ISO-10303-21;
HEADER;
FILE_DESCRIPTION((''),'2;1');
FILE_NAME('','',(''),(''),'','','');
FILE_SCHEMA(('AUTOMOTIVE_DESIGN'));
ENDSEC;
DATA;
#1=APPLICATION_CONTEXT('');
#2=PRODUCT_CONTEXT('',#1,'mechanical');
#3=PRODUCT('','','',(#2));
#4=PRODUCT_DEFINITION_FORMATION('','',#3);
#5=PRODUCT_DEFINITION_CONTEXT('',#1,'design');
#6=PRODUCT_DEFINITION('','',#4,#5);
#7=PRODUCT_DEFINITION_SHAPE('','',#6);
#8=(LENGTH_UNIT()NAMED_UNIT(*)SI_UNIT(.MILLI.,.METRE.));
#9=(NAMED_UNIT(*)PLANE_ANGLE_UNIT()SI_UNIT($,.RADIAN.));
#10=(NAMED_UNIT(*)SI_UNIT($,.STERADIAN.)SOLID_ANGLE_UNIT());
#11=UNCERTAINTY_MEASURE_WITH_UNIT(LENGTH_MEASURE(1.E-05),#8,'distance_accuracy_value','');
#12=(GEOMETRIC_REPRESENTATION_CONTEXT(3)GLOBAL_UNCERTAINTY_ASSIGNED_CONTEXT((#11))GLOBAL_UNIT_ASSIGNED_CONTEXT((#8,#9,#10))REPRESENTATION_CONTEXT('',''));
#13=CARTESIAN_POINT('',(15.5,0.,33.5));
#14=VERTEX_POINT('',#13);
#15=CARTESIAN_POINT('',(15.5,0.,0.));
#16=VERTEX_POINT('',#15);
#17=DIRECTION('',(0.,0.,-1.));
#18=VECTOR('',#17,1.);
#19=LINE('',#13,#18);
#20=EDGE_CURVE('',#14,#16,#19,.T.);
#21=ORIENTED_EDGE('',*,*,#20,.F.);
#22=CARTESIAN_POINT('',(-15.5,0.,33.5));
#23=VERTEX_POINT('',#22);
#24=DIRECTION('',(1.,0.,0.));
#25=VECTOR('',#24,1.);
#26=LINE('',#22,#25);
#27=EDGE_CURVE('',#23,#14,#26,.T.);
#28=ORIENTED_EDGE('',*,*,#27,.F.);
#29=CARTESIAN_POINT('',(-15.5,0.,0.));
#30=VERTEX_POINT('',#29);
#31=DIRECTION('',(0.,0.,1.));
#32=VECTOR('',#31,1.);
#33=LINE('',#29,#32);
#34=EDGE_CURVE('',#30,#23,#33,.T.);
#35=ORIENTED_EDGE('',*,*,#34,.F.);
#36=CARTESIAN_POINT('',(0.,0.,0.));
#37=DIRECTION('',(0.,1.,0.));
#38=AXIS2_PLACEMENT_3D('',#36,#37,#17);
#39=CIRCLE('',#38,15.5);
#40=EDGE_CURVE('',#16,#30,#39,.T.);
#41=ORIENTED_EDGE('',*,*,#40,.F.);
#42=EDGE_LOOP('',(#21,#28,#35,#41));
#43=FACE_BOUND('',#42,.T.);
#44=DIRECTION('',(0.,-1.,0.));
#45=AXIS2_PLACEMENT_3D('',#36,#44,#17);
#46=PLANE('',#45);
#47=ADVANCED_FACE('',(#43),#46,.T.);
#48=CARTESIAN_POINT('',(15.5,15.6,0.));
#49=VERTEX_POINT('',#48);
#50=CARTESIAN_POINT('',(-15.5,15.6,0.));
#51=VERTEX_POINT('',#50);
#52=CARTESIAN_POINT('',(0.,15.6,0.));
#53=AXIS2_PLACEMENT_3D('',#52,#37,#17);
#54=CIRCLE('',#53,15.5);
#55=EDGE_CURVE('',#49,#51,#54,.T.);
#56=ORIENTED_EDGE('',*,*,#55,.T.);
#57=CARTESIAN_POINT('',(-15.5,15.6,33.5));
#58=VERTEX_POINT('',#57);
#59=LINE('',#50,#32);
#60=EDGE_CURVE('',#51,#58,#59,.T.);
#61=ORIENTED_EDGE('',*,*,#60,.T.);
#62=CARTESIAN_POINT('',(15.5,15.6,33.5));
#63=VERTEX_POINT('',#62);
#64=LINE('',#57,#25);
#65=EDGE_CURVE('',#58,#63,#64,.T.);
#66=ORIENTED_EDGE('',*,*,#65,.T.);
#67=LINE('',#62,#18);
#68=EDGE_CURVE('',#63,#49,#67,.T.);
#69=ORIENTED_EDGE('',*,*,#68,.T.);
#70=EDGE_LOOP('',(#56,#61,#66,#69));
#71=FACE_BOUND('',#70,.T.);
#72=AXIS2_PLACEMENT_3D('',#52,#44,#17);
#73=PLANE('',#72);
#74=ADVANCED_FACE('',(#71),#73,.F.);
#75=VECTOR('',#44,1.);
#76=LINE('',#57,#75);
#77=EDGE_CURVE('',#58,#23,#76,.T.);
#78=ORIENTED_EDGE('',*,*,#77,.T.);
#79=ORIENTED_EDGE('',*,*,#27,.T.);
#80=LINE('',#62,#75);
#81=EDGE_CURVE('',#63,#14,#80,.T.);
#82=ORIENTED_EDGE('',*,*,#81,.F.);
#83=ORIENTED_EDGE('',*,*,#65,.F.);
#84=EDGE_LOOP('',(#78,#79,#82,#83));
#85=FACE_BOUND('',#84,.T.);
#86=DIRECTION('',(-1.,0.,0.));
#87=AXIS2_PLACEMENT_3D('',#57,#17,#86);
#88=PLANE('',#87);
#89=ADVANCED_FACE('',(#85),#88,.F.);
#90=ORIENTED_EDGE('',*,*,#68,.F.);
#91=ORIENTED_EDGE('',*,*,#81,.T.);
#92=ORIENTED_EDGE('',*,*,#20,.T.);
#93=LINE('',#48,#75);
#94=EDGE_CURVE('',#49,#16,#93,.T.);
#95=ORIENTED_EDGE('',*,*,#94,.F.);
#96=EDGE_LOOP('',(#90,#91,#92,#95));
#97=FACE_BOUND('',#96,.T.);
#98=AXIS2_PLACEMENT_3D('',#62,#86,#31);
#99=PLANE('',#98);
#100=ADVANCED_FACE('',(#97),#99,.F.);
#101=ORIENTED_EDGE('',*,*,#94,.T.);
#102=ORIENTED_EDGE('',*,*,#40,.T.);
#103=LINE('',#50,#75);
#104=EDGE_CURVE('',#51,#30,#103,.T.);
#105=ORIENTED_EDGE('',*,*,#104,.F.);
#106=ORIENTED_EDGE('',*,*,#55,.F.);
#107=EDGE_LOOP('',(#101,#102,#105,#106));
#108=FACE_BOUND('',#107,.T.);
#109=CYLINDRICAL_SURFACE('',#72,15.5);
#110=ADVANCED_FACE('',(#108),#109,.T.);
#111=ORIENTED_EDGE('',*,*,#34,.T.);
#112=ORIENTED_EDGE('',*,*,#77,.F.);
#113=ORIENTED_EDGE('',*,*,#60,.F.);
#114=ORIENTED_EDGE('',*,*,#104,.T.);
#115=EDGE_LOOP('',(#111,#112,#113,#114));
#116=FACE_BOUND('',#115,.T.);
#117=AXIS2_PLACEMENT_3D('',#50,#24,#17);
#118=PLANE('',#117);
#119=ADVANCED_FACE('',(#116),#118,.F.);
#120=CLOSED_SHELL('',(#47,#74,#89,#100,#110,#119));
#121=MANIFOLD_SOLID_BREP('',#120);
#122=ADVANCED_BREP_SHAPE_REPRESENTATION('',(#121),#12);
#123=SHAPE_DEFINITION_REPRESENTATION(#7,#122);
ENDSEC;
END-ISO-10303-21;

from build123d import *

# Parameters (mm, degrees)
BOSS_EXTRUDE1_DEPTH = 15.6


with BuildPart() as part:
    # Sketch1 → Boss-Extrude1 (new body)
    with BuildSketch(Plane(origin=(0, 0, 0), x_dir=(1, 0, 0), z_dir=(0, 1, 0))):
        with BuildLine():
            Line((-15.5, 0), (-15.5, -33.5))
            Line((-15.5, -33.5), (15.5, -33.5))
            Line((15.5, -33.5), (15.5, 0))
            ThreePointArc((15.5, 0), (0, 15.5), (-15.5, 0))
        make_face()
    extrude(amount=BOSS_EXTRUDE1_DEPTH)


solid = part.part
